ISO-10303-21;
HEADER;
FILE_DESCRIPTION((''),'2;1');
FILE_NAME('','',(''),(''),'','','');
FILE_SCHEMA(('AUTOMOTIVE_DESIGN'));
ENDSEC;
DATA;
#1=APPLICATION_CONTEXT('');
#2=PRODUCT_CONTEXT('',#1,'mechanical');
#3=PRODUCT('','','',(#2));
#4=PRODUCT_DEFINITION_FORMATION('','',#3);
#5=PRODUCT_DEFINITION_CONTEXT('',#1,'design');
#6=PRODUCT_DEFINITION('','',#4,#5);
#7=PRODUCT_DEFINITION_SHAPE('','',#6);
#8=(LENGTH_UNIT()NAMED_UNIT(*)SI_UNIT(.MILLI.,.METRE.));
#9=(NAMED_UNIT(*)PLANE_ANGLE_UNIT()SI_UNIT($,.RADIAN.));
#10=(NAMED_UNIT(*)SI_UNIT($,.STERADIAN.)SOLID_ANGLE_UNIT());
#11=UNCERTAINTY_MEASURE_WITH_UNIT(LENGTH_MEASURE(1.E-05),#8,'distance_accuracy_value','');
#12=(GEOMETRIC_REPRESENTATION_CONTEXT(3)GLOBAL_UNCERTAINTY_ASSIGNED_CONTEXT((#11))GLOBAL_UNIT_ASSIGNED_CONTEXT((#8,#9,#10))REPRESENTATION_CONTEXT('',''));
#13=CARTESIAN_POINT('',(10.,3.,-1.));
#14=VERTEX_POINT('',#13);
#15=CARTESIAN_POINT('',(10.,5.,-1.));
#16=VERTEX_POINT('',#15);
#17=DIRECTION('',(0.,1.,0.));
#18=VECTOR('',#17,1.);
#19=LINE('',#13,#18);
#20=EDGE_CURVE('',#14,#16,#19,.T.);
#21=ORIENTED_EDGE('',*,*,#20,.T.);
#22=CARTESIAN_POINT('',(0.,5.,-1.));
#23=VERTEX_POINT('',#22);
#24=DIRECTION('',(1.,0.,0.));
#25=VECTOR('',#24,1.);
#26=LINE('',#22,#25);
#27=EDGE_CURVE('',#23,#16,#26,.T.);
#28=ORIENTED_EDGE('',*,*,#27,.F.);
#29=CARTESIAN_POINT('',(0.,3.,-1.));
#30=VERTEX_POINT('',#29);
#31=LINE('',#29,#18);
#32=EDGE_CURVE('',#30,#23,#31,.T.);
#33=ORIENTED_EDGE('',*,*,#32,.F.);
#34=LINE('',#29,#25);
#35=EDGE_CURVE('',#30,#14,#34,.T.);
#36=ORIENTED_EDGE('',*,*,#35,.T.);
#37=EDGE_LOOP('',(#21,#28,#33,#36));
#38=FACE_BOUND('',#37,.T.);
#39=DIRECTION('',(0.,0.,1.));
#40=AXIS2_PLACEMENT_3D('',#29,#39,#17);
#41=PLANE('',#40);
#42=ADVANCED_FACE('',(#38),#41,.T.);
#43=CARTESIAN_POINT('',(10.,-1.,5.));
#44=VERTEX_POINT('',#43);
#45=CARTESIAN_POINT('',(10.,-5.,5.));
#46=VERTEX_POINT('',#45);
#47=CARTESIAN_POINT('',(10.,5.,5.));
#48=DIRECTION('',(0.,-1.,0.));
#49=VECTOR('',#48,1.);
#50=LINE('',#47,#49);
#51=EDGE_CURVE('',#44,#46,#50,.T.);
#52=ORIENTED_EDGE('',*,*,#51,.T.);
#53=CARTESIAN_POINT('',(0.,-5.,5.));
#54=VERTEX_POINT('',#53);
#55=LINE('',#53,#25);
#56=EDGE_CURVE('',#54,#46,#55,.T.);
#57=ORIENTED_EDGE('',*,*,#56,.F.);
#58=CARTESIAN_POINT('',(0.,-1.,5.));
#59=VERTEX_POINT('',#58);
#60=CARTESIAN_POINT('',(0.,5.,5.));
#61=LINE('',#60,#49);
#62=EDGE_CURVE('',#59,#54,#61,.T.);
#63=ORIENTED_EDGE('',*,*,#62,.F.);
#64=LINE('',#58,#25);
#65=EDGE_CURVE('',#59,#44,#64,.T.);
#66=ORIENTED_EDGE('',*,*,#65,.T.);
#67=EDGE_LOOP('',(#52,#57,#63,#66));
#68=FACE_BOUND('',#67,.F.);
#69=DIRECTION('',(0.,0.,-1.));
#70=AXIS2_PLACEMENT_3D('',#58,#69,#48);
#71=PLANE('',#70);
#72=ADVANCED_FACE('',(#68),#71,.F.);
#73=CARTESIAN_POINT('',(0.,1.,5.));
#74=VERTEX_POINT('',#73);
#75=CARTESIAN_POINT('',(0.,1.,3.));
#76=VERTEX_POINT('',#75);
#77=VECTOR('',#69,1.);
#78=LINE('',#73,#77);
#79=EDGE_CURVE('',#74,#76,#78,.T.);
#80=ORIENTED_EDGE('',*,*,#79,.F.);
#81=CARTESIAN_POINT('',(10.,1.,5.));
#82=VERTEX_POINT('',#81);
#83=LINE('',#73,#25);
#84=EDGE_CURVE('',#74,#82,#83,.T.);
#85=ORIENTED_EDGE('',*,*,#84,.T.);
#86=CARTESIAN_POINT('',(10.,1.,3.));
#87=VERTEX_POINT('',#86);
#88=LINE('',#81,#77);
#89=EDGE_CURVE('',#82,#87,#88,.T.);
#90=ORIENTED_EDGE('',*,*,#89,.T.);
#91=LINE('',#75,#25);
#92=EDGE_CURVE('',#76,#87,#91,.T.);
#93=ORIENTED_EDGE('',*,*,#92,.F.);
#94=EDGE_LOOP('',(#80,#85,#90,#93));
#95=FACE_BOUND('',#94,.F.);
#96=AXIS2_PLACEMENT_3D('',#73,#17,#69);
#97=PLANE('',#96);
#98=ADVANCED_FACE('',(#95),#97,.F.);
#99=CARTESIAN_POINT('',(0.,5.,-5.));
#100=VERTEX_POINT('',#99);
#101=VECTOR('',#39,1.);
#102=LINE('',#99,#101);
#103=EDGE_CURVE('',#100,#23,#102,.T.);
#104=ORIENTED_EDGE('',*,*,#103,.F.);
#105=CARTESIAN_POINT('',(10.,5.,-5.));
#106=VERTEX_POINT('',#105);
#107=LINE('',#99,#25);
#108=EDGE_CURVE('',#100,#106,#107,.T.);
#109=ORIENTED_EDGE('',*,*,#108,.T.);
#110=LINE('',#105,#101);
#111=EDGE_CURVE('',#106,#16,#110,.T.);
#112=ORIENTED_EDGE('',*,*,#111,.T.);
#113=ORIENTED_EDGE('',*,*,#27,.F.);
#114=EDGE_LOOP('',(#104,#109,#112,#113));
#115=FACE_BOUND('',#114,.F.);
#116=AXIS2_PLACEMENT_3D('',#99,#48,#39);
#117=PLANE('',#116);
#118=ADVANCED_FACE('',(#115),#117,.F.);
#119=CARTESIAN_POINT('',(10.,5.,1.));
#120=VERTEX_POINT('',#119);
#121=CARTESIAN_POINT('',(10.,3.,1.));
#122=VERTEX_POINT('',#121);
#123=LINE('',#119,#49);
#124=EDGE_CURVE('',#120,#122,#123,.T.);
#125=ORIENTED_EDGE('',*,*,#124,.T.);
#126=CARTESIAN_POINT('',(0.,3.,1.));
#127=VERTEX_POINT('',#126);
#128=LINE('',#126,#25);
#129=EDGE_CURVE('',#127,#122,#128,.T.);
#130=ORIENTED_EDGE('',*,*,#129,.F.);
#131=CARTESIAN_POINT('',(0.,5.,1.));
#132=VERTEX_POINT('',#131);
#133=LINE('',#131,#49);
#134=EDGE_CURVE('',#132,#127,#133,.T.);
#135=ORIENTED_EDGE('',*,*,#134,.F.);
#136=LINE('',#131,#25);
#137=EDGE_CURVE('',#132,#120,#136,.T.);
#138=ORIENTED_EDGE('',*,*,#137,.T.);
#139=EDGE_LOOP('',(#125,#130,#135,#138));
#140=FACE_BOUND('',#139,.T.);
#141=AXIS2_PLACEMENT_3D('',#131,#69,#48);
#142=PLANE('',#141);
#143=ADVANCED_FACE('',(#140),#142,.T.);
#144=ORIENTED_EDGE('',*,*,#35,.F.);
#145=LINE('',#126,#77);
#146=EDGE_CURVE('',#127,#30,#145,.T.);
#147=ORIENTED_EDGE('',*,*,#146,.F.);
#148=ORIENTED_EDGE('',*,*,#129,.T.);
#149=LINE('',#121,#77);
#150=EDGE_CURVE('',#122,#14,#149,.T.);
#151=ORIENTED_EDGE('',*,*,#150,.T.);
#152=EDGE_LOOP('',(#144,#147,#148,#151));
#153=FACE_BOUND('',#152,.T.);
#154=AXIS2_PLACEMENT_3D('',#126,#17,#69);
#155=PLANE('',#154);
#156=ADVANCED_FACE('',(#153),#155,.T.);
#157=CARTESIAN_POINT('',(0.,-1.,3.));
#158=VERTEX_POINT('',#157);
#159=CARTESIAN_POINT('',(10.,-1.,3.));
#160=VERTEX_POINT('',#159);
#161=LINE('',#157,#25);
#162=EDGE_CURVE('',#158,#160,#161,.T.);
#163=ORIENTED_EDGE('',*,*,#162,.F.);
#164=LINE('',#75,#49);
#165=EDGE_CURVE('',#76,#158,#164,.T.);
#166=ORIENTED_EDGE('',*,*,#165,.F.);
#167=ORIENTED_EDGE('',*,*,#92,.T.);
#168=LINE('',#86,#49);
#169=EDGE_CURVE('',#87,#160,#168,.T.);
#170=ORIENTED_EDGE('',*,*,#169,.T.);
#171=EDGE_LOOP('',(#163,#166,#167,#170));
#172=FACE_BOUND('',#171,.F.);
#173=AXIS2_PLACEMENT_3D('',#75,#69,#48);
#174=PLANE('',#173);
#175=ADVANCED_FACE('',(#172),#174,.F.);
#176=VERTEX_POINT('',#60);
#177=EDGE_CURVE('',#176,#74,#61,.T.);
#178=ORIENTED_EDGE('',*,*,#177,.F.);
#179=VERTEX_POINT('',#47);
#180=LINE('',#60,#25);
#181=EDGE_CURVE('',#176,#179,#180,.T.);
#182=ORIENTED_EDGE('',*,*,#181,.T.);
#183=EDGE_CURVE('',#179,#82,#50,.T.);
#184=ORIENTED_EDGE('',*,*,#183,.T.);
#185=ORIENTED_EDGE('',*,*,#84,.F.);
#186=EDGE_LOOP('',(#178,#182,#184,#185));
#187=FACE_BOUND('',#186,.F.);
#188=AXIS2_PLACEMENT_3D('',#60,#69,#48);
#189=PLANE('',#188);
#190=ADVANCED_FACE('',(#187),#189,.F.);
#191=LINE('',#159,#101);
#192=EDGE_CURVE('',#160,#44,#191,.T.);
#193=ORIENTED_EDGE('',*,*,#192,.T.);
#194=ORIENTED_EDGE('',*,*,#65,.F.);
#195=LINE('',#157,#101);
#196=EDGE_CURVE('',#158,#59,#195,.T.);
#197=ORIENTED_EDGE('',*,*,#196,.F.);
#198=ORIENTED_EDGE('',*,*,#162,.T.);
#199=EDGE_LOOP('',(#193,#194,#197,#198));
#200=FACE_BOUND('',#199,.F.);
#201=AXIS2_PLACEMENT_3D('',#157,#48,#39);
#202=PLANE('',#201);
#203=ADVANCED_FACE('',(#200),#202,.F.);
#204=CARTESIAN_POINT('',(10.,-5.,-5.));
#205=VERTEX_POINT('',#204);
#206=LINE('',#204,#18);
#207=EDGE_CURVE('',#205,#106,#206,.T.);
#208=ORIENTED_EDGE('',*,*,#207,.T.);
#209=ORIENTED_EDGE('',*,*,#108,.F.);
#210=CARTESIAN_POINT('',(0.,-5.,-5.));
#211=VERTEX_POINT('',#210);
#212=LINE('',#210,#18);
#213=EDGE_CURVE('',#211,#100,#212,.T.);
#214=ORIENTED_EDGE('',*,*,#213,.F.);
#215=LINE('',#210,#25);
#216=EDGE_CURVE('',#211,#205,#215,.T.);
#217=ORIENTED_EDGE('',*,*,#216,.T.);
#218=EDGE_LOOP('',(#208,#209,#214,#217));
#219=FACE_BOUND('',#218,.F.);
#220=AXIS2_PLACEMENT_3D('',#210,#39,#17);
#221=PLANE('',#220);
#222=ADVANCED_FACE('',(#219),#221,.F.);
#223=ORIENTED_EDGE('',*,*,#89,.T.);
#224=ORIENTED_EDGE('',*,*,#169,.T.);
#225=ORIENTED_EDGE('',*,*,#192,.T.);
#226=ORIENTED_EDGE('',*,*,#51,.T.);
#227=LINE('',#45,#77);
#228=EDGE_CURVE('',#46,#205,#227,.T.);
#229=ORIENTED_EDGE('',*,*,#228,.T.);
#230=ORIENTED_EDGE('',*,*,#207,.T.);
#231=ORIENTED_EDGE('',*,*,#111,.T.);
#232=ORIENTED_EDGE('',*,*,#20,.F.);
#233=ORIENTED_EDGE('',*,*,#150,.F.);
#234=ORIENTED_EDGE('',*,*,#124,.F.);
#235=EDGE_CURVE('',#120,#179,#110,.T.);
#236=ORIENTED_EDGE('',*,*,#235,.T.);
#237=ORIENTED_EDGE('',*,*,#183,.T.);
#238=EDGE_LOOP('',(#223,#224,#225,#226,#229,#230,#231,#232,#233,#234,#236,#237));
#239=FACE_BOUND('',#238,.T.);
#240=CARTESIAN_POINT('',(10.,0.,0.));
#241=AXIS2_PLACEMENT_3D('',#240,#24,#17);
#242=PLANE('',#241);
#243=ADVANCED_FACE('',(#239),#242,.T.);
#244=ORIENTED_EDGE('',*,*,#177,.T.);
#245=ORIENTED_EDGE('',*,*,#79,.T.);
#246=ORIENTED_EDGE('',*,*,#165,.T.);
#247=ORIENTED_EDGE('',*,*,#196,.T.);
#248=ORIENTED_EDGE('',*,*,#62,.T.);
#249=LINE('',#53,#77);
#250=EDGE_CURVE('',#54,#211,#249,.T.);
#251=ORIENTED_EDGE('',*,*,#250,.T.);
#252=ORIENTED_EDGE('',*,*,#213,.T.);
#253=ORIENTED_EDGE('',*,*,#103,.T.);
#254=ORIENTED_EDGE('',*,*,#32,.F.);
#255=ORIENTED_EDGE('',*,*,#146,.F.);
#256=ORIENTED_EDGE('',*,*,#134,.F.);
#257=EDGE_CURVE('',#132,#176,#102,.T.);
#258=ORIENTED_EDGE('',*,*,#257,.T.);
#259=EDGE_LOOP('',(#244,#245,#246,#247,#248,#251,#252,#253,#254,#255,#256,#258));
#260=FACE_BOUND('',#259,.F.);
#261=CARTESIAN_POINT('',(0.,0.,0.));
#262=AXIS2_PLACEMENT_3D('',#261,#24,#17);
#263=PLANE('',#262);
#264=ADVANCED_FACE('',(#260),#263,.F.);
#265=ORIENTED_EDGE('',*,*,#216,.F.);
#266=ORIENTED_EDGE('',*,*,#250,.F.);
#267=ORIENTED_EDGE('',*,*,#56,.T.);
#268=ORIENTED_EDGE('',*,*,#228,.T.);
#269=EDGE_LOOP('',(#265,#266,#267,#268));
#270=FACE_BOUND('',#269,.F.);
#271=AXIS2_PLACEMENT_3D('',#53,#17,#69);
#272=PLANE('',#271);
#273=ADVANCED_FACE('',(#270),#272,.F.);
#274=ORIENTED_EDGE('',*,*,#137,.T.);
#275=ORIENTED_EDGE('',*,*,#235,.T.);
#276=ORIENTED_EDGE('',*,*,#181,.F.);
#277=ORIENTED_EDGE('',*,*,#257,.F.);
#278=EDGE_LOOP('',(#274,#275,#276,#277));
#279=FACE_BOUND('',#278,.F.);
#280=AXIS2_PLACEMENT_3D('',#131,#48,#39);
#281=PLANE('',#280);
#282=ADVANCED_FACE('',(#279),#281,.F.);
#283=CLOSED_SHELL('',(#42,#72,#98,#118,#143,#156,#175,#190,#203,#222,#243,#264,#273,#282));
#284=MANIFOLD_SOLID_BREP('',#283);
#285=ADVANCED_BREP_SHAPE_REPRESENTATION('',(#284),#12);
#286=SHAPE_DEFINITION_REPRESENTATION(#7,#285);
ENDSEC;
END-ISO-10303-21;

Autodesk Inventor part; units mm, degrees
ref_plane "YZ Plane" through (0, 0, 0) normal (1, 0, 0) x (0, 1, 0)
ref_plane "XZ Plane" through (0, 0, 0) normal (0, 1, 0) x (-1, 0, 0)
ref_plane "XY Plane" through (0, 0, 0) normal (0, 0, 1) x (1, 0, 0)
sketch "スケッチ1" plane through (0, 0, 0) normal (1, 0, 0) x (0, 1, 0)
  line L0 (-5, -5) -> (5, -5)
  line L1 (5, -5) -> (5, 5)
  line L2 (5, 5) -> (-5, 5)
  line L3 (-5, 5) -> (-5, -5)
  line L4 (-1, 5) -> (1, 5)
  line L5 (1, 5) -> (1, 3)
  line L6 (1, 3) -> (-1, 3)
  line L7 (-1, 3) -> (-1, 5)
  line L8 (3, -1) -> (5, -1)
  line L9 (5, -1) -> (5, 1)
  line L10 (5, 1) -> (3, 1)
  line L11 (3, 1) -> (3, -1)
  point P0 (0, 0)
  dimension "d0" = 5
  dimension "d1" = 5
  dimension "d2" = 5
  dimension "d3" = 5
  dimension "d4" = 2
  dimension "d5" = 1
  dimension "d6" = 2
  dimension "d7" = 1
  dimension "d8" = 2
  dimension "d9" = 2
extrude "押し出し1" add sketch "スケッチ1" along normal blind 10 contours L3 L2 L7 L6 L5 L1 L10 L11 L8 L0
properties part number "banperparts1" material "PET プラスチック"
